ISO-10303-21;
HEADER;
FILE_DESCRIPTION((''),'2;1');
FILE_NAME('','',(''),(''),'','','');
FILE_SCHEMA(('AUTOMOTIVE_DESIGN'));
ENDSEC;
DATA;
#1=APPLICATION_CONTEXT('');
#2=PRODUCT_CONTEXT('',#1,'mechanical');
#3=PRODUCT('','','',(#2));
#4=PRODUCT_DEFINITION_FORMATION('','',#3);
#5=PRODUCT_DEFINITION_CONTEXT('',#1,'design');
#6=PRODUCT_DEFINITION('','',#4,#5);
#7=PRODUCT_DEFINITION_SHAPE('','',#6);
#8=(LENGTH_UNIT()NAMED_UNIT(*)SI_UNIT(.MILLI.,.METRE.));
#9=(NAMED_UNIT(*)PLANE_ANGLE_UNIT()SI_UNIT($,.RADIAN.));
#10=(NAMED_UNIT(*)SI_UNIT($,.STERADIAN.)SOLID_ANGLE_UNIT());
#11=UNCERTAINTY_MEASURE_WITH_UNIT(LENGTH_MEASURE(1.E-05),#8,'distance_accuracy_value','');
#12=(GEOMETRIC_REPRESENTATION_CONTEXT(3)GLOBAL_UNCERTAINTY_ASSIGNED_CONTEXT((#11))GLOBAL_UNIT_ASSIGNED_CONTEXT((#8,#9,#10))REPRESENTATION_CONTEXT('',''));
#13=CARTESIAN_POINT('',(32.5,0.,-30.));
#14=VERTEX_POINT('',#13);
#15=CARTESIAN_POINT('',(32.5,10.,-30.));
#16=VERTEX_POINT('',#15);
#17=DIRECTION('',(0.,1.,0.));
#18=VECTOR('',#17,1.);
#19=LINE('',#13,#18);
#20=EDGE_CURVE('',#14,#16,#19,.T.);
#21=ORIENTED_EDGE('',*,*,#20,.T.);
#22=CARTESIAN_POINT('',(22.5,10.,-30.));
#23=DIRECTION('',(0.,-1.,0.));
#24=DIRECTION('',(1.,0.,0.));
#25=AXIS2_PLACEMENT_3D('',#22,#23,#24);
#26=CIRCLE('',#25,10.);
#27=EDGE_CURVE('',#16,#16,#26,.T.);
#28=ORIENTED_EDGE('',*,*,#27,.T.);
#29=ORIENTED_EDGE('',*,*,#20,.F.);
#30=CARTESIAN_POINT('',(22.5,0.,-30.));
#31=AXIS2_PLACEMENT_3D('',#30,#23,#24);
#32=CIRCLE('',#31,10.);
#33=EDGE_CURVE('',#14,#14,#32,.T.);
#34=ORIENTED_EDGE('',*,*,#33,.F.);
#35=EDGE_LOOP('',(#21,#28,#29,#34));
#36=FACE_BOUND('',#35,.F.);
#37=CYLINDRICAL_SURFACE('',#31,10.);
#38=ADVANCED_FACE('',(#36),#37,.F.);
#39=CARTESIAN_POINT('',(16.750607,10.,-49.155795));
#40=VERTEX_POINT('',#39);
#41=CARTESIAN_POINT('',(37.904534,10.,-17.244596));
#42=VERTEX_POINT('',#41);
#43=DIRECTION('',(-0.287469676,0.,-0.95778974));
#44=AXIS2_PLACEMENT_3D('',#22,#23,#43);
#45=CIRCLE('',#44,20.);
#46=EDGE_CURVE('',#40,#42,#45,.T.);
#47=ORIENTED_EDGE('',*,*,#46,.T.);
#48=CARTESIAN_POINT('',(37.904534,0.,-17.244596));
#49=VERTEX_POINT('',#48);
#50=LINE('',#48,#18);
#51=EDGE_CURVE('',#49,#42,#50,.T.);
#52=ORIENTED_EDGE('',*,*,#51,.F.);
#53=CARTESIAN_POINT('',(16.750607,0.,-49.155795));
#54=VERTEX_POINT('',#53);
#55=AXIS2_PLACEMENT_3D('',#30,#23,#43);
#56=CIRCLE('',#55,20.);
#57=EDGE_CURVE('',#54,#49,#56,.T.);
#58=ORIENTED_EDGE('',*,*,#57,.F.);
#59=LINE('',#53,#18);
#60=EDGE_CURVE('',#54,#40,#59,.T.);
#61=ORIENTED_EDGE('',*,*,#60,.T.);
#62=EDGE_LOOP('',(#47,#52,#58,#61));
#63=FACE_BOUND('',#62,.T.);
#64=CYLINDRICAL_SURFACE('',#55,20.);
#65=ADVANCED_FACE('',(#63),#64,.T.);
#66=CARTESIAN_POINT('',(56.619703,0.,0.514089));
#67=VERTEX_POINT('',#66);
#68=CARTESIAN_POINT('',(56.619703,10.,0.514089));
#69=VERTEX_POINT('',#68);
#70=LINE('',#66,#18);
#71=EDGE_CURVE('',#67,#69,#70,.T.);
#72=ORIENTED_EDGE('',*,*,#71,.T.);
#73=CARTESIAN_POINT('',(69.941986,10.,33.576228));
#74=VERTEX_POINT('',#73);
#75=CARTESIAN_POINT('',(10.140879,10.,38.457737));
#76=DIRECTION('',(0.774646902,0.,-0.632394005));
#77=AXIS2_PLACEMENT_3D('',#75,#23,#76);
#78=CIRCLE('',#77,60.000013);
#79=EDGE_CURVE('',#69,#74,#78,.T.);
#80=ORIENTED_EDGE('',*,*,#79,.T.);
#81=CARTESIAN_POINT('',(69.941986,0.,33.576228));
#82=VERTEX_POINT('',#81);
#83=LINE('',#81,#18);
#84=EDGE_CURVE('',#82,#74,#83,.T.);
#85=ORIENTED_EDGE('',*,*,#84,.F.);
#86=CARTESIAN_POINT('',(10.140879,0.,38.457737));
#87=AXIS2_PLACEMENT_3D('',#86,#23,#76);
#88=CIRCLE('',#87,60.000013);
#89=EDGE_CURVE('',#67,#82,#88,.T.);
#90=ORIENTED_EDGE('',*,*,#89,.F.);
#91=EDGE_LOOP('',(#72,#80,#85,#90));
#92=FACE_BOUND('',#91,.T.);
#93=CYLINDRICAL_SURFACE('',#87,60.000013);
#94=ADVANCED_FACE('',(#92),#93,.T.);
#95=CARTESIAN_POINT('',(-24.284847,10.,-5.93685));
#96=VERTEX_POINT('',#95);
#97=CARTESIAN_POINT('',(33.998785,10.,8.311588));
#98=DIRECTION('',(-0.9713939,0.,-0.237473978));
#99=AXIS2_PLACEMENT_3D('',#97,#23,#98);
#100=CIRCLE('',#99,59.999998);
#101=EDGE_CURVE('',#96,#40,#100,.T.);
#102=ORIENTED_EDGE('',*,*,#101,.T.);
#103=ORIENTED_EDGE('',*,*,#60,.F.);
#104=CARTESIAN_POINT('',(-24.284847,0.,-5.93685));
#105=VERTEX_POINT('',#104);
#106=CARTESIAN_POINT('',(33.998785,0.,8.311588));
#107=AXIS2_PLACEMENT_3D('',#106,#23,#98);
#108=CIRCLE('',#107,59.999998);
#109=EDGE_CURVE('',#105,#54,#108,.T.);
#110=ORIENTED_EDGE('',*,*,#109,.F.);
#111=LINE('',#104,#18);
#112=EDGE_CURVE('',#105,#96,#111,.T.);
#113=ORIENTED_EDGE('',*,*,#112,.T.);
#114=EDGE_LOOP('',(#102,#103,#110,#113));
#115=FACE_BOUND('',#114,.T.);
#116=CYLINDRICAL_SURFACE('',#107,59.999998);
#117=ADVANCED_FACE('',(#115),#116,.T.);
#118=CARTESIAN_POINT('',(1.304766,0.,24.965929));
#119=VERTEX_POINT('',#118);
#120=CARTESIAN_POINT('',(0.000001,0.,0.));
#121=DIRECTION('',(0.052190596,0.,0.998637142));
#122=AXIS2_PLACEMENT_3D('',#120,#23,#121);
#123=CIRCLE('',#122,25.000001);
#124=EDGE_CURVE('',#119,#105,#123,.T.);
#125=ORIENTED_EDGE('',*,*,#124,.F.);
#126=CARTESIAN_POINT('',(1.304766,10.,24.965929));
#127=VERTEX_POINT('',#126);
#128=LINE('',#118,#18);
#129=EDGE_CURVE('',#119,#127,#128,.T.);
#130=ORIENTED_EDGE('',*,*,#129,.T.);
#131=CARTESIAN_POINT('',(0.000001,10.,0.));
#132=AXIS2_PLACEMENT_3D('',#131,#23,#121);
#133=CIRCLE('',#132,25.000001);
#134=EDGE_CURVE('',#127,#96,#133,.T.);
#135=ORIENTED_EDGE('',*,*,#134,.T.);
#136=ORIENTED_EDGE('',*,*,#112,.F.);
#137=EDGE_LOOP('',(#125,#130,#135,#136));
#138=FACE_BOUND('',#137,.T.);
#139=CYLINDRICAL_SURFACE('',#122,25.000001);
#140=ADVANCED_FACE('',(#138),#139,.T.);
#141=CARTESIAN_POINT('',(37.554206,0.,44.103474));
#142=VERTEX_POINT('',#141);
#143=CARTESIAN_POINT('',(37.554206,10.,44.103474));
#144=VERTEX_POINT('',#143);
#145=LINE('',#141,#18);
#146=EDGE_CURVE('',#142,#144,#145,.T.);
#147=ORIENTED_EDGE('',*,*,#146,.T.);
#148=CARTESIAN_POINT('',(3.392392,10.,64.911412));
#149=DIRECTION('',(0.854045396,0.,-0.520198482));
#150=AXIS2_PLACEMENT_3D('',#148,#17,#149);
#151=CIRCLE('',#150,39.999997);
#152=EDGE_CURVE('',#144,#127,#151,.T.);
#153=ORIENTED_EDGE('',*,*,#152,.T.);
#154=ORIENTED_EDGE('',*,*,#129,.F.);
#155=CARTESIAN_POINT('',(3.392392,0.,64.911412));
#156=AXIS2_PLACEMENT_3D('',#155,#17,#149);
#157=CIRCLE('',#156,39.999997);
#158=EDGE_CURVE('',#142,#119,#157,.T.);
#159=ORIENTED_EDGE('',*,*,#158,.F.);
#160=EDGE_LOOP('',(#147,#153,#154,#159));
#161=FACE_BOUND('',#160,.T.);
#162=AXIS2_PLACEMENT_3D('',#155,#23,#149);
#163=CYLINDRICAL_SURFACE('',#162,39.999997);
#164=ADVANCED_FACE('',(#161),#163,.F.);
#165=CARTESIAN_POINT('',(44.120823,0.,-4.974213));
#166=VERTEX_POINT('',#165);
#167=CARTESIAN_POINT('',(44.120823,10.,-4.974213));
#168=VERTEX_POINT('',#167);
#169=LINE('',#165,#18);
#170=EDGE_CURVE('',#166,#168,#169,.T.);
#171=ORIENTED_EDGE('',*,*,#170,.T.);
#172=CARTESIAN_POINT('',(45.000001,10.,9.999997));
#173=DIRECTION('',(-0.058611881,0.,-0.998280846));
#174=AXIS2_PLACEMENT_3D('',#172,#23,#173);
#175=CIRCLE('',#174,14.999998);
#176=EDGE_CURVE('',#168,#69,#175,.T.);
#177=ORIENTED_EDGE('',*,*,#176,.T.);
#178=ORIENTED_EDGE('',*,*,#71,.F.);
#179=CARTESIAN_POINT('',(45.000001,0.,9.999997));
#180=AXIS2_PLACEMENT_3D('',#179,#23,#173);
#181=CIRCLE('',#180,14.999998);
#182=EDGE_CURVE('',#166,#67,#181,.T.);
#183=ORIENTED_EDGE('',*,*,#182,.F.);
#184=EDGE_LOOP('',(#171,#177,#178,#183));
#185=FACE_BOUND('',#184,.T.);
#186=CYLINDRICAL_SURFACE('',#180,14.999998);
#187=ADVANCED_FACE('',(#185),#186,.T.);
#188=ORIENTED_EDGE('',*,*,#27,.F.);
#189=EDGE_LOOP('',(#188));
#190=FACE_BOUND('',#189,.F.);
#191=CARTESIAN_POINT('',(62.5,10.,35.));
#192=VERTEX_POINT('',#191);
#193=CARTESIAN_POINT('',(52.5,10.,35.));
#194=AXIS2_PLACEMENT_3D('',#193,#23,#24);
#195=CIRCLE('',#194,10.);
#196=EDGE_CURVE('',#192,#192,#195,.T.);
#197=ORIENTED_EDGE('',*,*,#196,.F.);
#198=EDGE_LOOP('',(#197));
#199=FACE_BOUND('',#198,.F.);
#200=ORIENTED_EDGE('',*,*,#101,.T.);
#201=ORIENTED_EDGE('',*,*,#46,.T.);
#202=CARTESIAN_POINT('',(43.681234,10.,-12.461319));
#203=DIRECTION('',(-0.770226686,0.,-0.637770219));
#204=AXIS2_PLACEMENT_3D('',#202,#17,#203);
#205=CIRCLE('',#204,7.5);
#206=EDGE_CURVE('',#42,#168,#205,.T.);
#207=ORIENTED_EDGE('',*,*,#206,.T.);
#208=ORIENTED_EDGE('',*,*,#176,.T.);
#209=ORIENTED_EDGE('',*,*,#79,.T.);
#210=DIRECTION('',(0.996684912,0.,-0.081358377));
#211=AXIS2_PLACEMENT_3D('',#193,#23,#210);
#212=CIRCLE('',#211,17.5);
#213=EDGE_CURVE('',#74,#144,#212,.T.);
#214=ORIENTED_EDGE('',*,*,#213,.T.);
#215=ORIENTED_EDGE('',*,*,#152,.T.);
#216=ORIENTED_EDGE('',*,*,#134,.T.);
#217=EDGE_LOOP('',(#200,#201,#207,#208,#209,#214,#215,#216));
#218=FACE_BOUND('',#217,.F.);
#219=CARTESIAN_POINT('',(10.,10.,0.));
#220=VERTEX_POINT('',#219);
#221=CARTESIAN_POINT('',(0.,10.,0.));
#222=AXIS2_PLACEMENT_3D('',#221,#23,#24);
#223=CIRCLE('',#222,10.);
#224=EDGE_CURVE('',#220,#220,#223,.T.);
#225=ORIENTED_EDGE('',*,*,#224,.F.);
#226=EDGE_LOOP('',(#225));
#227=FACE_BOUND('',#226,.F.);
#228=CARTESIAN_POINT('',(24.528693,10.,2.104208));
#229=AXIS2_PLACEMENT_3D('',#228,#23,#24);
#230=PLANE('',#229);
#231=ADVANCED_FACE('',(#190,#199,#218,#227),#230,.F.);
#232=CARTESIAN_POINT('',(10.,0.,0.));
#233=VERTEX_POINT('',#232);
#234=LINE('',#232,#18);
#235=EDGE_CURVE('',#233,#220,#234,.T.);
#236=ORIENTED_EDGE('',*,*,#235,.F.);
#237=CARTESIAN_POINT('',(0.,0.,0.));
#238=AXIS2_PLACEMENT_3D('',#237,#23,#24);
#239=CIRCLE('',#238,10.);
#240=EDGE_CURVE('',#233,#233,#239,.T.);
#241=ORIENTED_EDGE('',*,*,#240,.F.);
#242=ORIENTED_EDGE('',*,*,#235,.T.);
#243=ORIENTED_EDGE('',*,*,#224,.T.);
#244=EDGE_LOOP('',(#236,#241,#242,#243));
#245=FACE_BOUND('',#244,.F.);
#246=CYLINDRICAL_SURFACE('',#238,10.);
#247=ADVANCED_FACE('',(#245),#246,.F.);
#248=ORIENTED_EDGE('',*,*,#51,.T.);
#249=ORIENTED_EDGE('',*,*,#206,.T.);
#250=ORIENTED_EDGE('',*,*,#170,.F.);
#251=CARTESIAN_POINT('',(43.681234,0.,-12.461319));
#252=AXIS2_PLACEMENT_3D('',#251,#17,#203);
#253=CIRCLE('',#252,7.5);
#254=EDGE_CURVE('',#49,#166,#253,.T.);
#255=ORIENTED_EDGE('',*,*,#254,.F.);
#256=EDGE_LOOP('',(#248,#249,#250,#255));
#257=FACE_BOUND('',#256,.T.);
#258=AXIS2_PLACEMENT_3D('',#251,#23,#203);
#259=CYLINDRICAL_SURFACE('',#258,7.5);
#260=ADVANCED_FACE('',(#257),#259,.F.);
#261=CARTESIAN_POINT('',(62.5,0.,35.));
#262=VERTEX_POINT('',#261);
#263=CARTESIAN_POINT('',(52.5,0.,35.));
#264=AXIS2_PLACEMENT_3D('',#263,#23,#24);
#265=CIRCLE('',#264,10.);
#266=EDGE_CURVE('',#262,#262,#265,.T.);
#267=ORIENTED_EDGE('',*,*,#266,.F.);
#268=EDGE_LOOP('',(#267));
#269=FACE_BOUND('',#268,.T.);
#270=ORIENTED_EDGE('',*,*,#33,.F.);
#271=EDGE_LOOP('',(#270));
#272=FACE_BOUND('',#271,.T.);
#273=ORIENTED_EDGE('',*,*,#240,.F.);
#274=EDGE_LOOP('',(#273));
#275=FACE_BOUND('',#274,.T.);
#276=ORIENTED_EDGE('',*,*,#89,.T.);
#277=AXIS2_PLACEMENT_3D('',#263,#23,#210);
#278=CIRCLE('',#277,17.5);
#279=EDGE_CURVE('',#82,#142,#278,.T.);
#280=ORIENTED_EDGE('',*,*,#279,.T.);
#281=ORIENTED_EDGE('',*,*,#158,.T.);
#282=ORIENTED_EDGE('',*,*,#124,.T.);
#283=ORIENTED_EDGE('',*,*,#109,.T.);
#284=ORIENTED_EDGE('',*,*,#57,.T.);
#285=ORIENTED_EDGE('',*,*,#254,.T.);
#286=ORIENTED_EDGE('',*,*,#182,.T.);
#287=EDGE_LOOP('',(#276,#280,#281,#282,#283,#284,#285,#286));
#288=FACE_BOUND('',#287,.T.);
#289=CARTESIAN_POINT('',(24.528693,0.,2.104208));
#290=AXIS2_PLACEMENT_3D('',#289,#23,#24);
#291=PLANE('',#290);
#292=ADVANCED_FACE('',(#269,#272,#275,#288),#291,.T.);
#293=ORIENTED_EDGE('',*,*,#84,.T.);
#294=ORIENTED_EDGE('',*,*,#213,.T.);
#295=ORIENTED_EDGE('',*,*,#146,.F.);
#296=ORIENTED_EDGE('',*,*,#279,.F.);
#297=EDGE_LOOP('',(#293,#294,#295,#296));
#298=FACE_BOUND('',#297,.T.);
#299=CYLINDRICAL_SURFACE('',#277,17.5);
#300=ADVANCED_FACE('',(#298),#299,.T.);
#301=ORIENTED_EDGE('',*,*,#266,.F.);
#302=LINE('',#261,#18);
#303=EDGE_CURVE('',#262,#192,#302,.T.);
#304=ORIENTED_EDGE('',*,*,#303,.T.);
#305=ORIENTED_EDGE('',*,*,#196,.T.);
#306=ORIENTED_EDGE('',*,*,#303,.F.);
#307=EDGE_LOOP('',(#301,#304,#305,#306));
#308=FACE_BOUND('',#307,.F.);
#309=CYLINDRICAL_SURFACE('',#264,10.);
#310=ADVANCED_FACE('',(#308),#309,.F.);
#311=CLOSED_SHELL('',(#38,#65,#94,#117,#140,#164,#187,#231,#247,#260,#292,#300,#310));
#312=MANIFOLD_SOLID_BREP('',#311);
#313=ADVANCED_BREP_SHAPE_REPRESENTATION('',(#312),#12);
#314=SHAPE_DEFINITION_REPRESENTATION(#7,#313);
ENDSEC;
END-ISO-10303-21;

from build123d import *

# Parameters (mm, degrees)
F0_R     = 10
F1_DEPTH = 10


with BuildPart() as f1:
    # F0 (on Front) → F1 (new body)
    with BuildSketch(Plane.XZ):
        with BuildLine():
            ThreePointArc((37.554206, 44.103474), (22.067235, 29.538399), (1.304766, 24.965929))
            ThreePointArc((1.304766, 24.965929), (-19.255297, 15.944702), (-24.284847, -5.93685))
            ThreePointArc((-24.284847, -5.93685), (-9.512511, -33.001447), (16.750607, -49.155795))
            ThreePointArc((16.750607, -49.155795), (39.169931, -41.050494), (37.904534, -17.244596))
            ThreePointArc((37.904534, -17.244596), (36.990811, -9.071889), (44.120823, -4.974213))
            ThreePointArc((44.120823, -4.974213), (51.030762, -3.734261), (56.619703, 0.514089))
            ThreePointArc((56.619703, 0.514089), (65.792763, 16.032989), (69.941986, 33.576228))
            ThreePointArc((69.941986, 33.576228), (57.909572, 51.642912), (37.554206, 44.103474))
        make_face()
        Circle(F0_R, mode=Mode.SUBTRACT)
        with Locations((22.5, -30)):
            Circle(F0_R, mode=Mode.SUBTRACT)
        with Locations((52.5, 35)):
            Circle(F0_R, mode=Mode.SUBTRACT)
    extrude(amount=-F1_DEPTH)


solid = f1.part
